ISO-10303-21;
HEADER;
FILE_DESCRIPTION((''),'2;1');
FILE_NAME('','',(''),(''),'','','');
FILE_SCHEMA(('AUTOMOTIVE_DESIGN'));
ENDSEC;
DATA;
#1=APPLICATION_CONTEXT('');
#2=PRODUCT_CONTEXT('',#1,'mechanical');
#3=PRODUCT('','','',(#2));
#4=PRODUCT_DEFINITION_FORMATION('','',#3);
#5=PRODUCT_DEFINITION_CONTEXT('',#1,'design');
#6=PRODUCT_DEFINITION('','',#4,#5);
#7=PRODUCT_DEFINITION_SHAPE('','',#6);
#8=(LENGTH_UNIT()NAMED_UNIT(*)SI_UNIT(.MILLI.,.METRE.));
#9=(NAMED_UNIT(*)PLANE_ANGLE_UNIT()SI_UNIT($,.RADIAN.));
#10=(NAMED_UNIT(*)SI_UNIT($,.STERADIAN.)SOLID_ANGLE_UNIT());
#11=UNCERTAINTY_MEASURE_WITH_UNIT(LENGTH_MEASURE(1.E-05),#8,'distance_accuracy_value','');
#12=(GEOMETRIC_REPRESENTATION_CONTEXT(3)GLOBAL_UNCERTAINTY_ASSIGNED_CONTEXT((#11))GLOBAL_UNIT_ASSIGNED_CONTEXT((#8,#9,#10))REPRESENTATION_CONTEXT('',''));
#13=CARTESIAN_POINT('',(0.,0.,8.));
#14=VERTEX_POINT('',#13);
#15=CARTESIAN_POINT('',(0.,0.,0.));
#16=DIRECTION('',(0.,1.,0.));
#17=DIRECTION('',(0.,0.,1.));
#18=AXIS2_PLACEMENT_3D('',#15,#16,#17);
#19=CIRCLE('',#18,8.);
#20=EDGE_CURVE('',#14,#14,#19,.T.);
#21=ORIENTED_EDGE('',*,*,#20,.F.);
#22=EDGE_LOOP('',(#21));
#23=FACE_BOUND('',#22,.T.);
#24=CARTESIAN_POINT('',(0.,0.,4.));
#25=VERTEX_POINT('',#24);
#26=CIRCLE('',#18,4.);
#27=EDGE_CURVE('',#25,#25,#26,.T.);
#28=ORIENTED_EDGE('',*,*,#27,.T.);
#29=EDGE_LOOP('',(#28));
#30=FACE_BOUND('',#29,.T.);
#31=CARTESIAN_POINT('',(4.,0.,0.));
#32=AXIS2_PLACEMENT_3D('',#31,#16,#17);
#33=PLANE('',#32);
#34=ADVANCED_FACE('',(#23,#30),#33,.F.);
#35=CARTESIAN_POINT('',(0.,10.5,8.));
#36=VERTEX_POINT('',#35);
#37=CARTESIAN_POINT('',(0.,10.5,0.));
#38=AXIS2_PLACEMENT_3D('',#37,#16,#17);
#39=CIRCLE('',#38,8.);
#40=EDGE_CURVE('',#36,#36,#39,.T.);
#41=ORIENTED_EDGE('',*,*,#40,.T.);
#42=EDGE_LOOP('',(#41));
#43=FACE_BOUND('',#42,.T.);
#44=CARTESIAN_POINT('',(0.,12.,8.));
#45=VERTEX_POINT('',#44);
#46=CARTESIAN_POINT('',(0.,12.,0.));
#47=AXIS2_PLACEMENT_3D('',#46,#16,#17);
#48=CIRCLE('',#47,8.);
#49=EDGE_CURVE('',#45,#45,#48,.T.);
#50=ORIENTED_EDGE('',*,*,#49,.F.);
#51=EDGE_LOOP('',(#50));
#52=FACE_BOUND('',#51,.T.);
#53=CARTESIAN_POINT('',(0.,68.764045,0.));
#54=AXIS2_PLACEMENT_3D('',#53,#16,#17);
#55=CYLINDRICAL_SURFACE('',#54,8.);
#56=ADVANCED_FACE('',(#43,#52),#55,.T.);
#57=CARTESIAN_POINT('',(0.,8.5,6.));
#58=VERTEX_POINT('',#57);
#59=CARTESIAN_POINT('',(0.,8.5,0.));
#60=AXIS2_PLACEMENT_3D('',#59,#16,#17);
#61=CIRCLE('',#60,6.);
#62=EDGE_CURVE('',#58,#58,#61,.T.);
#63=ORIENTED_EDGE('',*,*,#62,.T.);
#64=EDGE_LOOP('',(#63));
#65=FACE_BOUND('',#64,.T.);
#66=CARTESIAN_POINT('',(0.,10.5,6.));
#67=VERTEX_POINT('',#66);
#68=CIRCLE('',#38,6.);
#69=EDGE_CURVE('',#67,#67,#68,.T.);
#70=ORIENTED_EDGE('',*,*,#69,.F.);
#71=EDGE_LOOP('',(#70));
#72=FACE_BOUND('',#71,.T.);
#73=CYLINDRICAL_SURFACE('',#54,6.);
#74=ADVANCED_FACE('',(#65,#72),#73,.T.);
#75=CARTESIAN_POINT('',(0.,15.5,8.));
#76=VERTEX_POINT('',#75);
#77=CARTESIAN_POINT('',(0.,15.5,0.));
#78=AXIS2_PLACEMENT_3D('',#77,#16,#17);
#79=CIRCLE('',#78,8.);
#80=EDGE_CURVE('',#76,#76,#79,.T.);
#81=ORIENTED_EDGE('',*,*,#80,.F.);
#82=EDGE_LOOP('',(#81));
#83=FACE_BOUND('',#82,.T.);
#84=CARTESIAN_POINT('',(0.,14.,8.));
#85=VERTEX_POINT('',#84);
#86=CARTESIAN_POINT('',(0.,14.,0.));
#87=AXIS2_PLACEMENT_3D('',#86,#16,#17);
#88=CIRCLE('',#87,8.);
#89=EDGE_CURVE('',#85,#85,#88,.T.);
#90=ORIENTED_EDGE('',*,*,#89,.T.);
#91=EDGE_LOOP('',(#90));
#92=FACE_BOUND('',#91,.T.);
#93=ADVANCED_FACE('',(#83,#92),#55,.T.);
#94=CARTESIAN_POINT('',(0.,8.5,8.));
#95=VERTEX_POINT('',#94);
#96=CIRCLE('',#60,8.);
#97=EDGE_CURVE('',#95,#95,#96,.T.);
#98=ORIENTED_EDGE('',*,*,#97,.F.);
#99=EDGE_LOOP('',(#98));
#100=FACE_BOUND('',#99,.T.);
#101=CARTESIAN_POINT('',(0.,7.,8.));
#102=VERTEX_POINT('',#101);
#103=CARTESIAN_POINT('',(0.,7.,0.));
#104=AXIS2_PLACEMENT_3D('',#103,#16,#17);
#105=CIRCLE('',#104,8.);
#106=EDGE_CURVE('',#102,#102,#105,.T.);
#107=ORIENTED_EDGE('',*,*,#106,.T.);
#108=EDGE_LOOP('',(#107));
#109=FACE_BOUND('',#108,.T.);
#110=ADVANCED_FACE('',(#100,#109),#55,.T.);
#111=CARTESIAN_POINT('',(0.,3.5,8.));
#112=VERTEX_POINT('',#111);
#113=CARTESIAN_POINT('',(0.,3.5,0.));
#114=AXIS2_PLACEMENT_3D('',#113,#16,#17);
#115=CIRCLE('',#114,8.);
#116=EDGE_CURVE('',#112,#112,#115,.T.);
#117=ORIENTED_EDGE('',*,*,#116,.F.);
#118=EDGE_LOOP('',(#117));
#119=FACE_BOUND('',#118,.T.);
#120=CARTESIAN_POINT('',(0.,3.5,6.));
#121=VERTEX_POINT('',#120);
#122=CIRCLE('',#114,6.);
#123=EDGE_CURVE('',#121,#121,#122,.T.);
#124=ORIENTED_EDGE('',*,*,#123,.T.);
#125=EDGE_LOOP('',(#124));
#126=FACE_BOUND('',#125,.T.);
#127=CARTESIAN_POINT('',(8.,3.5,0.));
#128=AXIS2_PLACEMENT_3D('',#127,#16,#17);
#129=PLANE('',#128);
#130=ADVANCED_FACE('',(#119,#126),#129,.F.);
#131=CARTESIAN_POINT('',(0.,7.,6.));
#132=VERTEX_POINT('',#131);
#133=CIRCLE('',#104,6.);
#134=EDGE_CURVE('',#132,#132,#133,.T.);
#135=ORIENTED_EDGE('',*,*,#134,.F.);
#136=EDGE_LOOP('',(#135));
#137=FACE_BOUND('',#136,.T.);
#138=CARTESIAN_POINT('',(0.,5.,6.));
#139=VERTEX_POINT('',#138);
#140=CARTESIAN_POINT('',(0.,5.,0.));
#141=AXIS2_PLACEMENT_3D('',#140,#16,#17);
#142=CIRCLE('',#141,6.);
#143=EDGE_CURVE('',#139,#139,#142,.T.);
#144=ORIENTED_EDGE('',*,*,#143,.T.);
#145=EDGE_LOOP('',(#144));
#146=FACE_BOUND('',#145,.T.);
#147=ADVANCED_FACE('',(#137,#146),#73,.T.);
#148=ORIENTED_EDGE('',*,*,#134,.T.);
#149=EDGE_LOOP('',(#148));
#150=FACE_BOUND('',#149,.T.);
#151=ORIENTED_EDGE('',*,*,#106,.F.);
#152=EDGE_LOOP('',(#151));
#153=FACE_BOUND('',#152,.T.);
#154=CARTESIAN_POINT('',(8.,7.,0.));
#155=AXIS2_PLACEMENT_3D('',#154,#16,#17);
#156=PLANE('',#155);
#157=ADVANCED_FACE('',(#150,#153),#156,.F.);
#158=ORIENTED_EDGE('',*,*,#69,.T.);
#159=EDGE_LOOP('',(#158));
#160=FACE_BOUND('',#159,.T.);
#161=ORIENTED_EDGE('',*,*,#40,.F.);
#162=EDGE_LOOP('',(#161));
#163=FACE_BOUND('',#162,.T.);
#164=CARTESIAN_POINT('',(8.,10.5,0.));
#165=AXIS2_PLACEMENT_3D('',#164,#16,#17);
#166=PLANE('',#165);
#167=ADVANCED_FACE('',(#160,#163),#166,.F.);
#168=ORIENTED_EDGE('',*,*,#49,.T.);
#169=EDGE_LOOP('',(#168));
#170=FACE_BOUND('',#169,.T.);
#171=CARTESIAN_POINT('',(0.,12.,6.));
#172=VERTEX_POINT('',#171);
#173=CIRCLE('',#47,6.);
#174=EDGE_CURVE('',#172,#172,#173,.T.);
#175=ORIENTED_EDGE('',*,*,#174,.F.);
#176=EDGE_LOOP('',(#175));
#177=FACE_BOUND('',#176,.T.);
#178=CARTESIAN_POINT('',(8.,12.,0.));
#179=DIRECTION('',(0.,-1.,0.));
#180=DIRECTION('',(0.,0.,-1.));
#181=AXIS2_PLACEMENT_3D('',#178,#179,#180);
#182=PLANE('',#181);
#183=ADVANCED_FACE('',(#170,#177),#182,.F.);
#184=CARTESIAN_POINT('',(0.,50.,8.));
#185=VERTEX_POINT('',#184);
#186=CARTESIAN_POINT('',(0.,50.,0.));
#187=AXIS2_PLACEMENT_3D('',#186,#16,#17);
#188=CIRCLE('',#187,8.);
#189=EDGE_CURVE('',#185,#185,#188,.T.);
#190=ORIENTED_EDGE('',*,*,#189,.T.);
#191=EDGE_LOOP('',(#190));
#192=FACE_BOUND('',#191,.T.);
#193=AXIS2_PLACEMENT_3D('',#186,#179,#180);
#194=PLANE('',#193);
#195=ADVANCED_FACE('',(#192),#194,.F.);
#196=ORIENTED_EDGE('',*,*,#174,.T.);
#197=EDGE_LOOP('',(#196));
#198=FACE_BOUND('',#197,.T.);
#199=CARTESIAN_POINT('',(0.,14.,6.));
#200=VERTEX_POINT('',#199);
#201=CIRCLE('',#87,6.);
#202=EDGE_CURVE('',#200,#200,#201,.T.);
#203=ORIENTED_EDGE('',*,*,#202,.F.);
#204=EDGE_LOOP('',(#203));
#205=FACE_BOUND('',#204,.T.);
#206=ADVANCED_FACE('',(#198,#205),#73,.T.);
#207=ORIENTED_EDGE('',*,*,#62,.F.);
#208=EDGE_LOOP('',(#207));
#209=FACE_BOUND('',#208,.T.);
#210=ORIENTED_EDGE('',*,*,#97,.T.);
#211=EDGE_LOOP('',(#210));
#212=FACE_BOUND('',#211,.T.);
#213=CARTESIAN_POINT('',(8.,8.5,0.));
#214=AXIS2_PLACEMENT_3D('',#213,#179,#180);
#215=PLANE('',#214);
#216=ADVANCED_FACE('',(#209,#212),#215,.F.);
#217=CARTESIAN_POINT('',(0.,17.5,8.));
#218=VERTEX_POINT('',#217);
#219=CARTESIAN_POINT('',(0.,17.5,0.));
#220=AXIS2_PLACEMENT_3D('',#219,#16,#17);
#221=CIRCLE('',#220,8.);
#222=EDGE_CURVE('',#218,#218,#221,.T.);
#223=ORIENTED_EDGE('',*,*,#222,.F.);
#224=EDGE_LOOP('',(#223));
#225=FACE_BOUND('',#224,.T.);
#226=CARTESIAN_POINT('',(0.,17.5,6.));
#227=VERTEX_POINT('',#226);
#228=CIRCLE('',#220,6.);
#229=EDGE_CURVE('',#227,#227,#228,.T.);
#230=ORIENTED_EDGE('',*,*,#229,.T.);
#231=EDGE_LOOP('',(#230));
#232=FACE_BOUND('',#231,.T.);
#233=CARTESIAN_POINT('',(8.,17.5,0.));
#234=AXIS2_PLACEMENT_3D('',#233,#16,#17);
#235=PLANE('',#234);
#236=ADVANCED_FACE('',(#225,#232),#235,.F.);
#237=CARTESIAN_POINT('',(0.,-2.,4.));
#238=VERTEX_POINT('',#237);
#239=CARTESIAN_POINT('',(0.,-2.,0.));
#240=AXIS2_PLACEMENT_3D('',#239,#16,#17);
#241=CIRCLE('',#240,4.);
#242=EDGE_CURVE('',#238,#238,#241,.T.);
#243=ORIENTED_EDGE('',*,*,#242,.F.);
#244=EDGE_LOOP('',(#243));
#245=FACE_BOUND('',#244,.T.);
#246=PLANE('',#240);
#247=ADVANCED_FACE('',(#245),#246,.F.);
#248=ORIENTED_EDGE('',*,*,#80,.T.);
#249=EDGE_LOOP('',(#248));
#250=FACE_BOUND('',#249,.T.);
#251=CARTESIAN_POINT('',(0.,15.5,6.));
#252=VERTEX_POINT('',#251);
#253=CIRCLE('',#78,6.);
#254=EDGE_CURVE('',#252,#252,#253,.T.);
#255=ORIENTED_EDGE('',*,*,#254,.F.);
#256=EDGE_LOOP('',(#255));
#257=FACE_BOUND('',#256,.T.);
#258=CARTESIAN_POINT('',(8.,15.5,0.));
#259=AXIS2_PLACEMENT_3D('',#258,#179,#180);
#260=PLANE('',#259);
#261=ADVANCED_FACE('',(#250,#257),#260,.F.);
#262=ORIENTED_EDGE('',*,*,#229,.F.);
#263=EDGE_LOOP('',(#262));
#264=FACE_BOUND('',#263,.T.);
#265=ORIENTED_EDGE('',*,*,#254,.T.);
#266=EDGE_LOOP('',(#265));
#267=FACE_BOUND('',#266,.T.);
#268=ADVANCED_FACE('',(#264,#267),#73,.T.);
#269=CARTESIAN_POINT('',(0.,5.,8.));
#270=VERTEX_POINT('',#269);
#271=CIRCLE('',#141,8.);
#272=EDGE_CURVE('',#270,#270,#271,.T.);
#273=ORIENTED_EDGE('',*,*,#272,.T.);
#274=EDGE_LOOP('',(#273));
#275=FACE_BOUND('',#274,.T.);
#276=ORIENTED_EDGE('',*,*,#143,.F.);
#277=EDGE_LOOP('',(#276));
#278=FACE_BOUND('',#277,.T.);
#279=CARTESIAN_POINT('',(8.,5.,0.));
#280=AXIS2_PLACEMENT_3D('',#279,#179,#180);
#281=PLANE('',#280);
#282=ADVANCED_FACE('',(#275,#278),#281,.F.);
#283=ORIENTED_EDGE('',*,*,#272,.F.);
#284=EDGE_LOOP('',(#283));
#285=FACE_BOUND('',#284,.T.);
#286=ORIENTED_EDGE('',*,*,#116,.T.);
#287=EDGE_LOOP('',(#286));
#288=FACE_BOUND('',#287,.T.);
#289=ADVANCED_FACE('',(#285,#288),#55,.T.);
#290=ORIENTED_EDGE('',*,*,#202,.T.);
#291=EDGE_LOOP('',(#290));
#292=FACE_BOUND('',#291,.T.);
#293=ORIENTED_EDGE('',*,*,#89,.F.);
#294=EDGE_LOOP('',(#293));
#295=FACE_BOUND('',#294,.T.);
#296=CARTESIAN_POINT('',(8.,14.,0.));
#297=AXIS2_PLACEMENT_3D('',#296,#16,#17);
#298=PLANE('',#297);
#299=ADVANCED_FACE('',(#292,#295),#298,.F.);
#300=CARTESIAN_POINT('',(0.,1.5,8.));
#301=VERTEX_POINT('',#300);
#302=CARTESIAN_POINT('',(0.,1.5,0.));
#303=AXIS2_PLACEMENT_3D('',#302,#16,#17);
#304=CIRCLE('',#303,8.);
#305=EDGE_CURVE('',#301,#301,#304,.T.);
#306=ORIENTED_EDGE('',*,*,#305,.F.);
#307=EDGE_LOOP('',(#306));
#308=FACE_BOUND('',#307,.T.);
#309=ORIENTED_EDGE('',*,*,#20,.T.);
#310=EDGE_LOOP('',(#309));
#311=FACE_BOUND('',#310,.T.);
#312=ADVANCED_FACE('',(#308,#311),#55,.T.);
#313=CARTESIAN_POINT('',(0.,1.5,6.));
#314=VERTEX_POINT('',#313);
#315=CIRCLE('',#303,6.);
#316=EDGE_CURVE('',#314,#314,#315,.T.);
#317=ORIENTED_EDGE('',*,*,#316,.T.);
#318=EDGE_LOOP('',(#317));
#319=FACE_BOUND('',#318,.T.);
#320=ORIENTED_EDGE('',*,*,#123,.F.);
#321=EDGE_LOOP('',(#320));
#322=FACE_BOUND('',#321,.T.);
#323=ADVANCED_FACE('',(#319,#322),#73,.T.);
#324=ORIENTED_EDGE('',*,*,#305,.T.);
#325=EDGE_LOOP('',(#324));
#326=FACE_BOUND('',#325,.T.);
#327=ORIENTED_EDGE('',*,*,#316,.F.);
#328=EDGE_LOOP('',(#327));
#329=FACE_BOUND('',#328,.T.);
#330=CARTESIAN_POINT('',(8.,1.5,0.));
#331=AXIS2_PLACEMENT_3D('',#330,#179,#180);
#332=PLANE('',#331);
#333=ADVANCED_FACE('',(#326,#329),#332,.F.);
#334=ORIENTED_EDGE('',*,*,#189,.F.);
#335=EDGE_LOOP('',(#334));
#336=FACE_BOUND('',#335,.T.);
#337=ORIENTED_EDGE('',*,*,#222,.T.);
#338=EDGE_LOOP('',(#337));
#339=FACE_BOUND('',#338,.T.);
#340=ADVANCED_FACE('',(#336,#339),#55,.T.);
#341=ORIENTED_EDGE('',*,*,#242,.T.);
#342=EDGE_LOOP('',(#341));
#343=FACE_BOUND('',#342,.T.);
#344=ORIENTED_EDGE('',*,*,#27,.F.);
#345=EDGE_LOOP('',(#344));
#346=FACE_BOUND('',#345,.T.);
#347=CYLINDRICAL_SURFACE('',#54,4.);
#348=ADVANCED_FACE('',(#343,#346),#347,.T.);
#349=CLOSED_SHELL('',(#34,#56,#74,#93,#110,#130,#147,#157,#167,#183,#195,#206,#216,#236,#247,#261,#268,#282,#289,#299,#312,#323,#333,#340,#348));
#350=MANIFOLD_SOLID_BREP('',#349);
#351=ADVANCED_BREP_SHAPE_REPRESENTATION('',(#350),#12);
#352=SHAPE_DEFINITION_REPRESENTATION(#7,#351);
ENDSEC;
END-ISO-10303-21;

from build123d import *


with BuildPart() as part:
    # Croquis1 → Revolución1 (revolve)
    with BuildSketch(Plane.XY):
        Polygon((0, 50), (8, 50), (8, 17.5), (6, 17.5), (6, 15.5), (8, 15.5), (8, 14), (6, 14), (6, 12), (8, 12), (8, 10.5), (6, 10.5), (6, 8.5), (8, 8.5), (8, 7), (6, 7), (6, 5), (8, 5), (8, 3.5), (6, 3.5), (6, 1.5), (8, 1.5), (8, 0), (4, 0), (4, -2), (0, -2), (0, 0), align=None)
    revolve(axis=Axis((0, 68.764044944, 0), (0, -1, 0)))


solid = part.part
